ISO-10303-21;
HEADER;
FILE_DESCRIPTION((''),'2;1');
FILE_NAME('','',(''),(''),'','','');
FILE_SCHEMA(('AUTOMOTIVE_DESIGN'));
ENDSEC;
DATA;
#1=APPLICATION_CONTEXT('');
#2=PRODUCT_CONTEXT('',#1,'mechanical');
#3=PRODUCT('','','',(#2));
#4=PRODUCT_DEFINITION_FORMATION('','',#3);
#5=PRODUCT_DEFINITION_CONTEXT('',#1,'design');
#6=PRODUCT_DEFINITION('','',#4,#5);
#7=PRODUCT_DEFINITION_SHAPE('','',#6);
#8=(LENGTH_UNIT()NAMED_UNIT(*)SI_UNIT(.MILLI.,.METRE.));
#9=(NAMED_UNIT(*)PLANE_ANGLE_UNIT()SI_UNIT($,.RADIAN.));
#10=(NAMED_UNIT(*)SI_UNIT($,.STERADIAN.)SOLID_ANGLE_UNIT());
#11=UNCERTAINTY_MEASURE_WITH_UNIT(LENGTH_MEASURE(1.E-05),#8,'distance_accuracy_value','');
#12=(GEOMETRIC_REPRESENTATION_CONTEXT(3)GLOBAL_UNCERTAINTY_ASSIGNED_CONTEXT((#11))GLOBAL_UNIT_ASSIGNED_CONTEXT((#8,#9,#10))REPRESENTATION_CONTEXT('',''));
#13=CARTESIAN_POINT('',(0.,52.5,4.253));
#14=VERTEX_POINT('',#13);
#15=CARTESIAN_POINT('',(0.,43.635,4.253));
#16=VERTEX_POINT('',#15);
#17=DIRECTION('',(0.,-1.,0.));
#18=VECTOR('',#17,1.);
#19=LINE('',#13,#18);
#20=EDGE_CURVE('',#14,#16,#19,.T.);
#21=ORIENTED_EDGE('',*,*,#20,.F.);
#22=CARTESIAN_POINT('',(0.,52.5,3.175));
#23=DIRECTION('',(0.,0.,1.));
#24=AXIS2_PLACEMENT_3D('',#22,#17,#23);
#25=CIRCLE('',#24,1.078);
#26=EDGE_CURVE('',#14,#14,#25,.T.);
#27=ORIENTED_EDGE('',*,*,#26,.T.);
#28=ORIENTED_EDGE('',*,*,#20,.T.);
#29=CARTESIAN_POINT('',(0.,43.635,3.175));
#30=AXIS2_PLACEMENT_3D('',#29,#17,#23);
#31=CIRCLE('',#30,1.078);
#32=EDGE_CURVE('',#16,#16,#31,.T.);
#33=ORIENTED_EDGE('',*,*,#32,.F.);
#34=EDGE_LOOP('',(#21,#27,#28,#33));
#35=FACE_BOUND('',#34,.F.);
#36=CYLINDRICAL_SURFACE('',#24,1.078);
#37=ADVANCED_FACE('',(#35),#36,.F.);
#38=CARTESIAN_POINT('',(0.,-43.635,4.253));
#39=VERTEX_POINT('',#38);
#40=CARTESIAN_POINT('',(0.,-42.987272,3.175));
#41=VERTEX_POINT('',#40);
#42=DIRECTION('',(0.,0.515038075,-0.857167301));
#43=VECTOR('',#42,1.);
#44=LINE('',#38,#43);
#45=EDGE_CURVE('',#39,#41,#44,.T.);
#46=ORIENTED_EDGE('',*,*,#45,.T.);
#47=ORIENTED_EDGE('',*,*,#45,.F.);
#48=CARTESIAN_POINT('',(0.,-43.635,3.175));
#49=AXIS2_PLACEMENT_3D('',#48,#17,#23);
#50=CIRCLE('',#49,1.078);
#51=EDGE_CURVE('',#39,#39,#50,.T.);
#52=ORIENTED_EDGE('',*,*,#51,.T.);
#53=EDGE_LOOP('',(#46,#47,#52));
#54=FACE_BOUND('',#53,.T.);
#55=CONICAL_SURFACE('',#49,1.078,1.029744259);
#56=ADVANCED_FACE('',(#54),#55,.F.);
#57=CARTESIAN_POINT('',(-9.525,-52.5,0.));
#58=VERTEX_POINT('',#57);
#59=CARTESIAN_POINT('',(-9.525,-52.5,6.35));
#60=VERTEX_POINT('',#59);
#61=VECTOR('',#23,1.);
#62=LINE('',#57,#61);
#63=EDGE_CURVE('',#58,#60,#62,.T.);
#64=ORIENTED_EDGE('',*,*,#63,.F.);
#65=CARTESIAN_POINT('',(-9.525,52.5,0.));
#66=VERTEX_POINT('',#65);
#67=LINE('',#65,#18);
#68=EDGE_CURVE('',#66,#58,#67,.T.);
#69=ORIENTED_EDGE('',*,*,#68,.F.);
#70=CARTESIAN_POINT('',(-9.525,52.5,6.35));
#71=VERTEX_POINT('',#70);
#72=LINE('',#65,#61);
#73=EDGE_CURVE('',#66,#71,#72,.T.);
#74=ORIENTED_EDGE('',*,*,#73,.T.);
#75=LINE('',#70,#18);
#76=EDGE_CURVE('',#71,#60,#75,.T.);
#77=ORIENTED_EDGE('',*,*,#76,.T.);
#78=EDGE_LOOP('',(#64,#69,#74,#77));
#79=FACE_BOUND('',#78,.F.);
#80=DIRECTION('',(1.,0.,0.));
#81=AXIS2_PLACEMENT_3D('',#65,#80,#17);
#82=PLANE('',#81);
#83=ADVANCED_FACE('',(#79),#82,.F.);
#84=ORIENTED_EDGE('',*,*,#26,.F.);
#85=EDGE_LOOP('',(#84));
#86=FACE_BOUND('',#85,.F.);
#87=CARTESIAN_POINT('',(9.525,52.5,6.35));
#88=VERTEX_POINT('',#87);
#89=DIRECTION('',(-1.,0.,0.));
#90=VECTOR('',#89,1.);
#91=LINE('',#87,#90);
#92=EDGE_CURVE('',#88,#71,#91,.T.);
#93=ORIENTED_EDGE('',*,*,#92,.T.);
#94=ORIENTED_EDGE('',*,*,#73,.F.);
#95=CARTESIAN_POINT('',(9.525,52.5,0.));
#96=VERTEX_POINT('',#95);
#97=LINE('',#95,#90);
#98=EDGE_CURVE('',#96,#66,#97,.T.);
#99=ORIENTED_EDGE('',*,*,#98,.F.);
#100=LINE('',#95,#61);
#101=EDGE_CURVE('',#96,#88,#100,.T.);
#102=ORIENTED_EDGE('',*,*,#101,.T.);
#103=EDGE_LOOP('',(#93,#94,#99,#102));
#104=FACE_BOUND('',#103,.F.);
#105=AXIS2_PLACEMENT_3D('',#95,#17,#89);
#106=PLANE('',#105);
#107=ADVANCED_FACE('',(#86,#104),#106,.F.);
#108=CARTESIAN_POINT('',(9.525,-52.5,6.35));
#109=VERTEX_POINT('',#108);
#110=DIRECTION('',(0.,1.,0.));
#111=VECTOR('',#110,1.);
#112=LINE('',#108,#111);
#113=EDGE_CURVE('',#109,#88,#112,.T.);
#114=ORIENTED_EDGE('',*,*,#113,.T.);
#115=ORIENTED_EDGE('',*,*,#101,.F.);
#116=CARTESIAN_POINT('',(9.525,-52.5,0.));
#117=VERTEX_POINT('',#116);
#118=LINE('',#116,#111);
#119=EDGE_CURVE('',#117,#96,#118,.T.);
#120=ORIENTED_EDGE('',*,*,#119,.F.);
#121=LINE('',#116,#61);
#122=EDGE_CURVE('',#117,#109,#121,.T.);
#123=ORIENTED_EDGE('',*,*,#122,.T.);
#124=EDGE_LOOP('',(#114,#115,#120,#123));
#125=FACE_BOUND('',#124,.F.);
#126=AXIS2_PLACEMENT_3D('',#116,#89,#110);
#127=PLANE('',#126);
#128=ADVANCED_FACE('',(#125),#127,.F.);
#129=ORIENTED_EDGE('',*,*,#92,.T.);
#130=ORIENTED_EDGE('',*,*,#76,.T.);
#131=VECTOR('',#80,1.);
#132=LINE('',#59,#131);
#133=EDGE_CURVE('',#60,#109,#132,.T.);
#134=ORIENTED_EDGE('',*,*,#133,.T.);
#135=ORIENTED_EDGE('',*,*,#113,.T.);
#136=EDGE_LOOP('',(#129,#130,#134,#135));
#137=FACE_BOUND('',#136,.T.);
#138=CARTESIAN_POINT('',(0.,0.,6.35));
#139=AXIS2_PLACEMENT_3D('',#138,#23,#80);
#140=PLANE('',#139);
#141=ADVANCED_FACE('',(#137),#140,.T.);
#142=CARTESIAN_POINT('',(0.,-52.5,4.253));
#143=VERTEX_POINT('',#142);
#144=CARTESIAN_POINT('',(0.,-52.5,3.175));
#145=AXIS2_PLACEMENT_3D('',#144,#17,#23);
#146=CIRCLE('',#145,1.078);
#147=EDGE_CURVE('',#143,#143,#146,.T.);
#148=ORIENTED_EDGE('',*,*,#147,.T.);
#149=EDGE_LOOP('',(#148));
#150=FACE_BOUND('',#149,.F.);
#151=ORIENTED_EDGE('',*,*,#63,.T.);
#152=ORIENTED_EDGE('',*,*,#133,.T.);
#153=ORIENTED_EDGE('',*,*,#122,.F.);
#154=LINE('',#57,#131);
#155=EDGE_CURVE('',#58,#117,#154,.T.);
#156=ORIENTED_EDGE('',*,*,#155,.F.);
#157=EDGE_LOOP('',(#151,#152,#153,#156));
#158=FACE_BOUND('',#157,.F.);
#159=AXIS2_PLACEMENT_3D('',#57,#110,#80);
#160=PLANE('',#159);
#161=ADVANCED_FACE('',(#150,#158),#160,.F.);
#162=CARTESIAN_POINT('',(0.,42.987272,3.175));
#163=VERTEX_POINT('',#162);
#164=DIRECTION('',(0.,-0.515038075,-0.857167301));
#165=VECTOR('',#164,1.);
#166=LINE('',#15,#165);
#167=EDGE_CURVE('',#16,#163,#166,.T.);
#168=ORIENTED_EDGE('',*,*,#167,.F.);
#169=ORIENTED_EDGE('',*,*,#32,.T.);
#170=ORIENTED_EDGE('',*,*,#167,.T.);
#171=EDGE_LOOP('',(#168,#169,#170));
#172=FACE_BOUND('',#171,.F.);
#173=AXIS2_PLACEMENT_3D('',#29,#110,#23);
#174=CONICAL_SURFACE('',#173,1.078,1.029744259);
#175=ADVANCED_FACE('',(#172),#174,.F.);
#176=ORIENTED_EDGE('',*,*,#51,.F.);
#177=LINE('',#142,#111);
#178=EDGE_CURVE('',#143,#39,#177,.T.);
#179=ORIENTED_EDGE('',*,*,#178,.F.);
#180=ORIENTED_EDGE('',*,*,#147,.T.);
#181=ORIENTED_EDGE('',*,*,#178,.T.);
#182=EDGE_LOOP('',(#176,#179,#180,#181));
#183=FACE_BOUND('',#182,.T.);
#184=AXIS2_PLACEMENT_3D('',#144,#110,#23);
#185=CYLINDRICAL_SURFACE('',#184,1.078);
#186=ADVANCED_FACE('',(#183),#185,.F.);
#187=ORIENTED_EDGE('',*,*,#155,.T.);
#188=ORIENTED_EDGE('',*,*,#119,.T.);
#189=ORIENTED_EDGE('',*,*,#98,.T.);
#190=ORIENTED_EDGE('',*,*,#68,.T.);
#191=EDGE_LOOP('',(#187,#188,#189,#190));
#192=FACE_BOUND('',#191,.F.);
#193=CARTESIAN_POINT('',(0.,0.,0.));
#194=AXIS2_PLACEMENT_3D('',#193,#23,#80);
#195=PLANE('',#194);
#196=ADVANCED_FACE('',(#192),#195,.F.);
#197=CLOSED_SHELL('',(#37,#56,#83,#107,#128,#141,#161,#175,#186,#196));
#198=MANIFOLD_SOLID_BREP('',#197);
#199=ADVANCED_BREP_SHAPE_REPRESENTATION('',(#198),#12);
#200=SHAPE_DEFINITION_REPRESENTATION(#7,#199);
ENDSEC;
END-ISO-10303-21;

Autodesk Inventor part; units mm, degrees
ref_plane "YZ Plane" through (0, 0, 0) normal (1, 0, 0) x (0, 1, 0)
ref_plane "XZ Plane" through (0, 0, 0) normal (0, 1, 0) x (-1, 0, 0)
ref_plane "XY Plane" through (0, 0, 0) normal (0, 0, 1) x (1, 0, 0)
sketch "Sketch1" plane through (0, 0, 0) normal (0, 0, 1) x (1, 0, 0)
  line L0 (-9.525, -52.5) -> (9.525, -52.5)
  line L1 (9.525, -52.5) -> (9.525, 52.5)
  line L2 (9.525, 52.5) -> (-9.525, 52.5)
  line L3 (-9.525, 52.5) -> (-9.525, -52.5)
  line L4 (-9.525, -52.5) -> (9.525, 52.5) construction
  line L5 (9.525, -52.5) -> (-9.525, 52.5) construction
  point P0 (0, 0)
  dimension "d0" = 19.05
  dimension "d1" = 105
extrude "Extrusion1" add sketch "Sketch1" along normal blind 6.35
sketch "Sketch3" plane through (-9.525, 52.5, 0) normal (0, 1, 0) x (1, 0, 0)
  line L0 (19.05, 0) -> (0, 0) projected
  line L1 (0, 0) -> (0, -6.35) projected
  line L2 (19.05, -6.35) -> (0, -6.35) projected
  line L3 (19.05, 0) -> (19.05, -6.35) projected
  line L4 (0, 0) -> (0, -6.35) projected
  line L5 (0, 0) -> (19.05, -6.35)
  point P0 (9.525, 0)
  point P1 (9.525, -3.175)
hole "Hole1" at (0, 52.5, 3.175) direction (0, -1, 0) diameter 2.156 depth 8.865 tip angle 118 thread size "4-40 UNC" class "2B" standard "ANSI Unified Screw Threads"
mirror "Mirror1" about plane through (0, 0, 0) normal (0, 1, 0) of "Hole1"
equation "\"d0\" = sensorHolderDepth"
equation "\"d2\" = acrylicThickness"
equation "\"acrylicThickness\" = 6.35"
equation "\"height\" = 127"
equation "\"width\" = 127"
equation "\"depth\" = 127"
equation "\"mirrorAngle\" = 5deg"
equation "\"detectorWidth\" = 52"
equation "\"detectorHeight\" = 52"
equation "\"mirrorThickness\" = 3.175"
equation "\"fresnelThickness\" = 0.1"
equation "\"focalLength\" = 76.2"
equation "\"ior\" = 1.49"
equation "\"centerThickness\" = 1.524"
equation "\"fresnelAngle\" = 90deg"
equation "\"fresnelEffectiveDiameter\" = 152.4"
equation "\"mirrorSuppourtWidth\" = 38.1"
equation "\"backGrooveBit\" = 4.8006"
equation "\"detectorOpeningWidth\" = 76.2"
equation "\"detectorOpeningHeight\" = 76.2"
equation "\"sensorHolderSensorHeight\" = 53.975"
equation "\"sensorHolderSensorWidth\" = 53.975"
equation "\"oRingWidth\" = 1.5875"
equation "\"sensorHolderORingID\" = 203.2"
equation "\"sensorHolderFlushORingID\" = 304.8"
equation "\"frontBackORingID\" = 419.1"
equation "\"mirrorGroove\" = 19.05"
equation "\"backMirrorGroove\" = 6.35"
equation "\"fresnelMirrorChamfer\" = 6.35"
equation "\"mirrorGrooveMill\" = 3.175"
equation "\"sensorHolderDepth\" = 19.05"
equation "\"frameAcrylicThickness\" = 9.525"
equation "\"internalAcrylicThicnkess\" = 6.35"
equation "\"internalAcrylicThickness\" = 6.35"
equation "\"aerogelClearence\" = 3.175"
equation "\"backplanePCBWidth\" = 76.2"
equation "\"backplanePostionOffsett\" = 12.7"
equation "\"backplaneHoleOffsett\" = 6.35"
equation "\"backplanePCBHeight\" = 76.2"
equation "\"moduleSlotClearence\" = 0.79375"
equation "\"plasticThickness\" = 6.35"
equation "\"aerogelHolderDepth\" = 37.30625"
properties part number "detectorSuppourt" material "ABS Plastic"
